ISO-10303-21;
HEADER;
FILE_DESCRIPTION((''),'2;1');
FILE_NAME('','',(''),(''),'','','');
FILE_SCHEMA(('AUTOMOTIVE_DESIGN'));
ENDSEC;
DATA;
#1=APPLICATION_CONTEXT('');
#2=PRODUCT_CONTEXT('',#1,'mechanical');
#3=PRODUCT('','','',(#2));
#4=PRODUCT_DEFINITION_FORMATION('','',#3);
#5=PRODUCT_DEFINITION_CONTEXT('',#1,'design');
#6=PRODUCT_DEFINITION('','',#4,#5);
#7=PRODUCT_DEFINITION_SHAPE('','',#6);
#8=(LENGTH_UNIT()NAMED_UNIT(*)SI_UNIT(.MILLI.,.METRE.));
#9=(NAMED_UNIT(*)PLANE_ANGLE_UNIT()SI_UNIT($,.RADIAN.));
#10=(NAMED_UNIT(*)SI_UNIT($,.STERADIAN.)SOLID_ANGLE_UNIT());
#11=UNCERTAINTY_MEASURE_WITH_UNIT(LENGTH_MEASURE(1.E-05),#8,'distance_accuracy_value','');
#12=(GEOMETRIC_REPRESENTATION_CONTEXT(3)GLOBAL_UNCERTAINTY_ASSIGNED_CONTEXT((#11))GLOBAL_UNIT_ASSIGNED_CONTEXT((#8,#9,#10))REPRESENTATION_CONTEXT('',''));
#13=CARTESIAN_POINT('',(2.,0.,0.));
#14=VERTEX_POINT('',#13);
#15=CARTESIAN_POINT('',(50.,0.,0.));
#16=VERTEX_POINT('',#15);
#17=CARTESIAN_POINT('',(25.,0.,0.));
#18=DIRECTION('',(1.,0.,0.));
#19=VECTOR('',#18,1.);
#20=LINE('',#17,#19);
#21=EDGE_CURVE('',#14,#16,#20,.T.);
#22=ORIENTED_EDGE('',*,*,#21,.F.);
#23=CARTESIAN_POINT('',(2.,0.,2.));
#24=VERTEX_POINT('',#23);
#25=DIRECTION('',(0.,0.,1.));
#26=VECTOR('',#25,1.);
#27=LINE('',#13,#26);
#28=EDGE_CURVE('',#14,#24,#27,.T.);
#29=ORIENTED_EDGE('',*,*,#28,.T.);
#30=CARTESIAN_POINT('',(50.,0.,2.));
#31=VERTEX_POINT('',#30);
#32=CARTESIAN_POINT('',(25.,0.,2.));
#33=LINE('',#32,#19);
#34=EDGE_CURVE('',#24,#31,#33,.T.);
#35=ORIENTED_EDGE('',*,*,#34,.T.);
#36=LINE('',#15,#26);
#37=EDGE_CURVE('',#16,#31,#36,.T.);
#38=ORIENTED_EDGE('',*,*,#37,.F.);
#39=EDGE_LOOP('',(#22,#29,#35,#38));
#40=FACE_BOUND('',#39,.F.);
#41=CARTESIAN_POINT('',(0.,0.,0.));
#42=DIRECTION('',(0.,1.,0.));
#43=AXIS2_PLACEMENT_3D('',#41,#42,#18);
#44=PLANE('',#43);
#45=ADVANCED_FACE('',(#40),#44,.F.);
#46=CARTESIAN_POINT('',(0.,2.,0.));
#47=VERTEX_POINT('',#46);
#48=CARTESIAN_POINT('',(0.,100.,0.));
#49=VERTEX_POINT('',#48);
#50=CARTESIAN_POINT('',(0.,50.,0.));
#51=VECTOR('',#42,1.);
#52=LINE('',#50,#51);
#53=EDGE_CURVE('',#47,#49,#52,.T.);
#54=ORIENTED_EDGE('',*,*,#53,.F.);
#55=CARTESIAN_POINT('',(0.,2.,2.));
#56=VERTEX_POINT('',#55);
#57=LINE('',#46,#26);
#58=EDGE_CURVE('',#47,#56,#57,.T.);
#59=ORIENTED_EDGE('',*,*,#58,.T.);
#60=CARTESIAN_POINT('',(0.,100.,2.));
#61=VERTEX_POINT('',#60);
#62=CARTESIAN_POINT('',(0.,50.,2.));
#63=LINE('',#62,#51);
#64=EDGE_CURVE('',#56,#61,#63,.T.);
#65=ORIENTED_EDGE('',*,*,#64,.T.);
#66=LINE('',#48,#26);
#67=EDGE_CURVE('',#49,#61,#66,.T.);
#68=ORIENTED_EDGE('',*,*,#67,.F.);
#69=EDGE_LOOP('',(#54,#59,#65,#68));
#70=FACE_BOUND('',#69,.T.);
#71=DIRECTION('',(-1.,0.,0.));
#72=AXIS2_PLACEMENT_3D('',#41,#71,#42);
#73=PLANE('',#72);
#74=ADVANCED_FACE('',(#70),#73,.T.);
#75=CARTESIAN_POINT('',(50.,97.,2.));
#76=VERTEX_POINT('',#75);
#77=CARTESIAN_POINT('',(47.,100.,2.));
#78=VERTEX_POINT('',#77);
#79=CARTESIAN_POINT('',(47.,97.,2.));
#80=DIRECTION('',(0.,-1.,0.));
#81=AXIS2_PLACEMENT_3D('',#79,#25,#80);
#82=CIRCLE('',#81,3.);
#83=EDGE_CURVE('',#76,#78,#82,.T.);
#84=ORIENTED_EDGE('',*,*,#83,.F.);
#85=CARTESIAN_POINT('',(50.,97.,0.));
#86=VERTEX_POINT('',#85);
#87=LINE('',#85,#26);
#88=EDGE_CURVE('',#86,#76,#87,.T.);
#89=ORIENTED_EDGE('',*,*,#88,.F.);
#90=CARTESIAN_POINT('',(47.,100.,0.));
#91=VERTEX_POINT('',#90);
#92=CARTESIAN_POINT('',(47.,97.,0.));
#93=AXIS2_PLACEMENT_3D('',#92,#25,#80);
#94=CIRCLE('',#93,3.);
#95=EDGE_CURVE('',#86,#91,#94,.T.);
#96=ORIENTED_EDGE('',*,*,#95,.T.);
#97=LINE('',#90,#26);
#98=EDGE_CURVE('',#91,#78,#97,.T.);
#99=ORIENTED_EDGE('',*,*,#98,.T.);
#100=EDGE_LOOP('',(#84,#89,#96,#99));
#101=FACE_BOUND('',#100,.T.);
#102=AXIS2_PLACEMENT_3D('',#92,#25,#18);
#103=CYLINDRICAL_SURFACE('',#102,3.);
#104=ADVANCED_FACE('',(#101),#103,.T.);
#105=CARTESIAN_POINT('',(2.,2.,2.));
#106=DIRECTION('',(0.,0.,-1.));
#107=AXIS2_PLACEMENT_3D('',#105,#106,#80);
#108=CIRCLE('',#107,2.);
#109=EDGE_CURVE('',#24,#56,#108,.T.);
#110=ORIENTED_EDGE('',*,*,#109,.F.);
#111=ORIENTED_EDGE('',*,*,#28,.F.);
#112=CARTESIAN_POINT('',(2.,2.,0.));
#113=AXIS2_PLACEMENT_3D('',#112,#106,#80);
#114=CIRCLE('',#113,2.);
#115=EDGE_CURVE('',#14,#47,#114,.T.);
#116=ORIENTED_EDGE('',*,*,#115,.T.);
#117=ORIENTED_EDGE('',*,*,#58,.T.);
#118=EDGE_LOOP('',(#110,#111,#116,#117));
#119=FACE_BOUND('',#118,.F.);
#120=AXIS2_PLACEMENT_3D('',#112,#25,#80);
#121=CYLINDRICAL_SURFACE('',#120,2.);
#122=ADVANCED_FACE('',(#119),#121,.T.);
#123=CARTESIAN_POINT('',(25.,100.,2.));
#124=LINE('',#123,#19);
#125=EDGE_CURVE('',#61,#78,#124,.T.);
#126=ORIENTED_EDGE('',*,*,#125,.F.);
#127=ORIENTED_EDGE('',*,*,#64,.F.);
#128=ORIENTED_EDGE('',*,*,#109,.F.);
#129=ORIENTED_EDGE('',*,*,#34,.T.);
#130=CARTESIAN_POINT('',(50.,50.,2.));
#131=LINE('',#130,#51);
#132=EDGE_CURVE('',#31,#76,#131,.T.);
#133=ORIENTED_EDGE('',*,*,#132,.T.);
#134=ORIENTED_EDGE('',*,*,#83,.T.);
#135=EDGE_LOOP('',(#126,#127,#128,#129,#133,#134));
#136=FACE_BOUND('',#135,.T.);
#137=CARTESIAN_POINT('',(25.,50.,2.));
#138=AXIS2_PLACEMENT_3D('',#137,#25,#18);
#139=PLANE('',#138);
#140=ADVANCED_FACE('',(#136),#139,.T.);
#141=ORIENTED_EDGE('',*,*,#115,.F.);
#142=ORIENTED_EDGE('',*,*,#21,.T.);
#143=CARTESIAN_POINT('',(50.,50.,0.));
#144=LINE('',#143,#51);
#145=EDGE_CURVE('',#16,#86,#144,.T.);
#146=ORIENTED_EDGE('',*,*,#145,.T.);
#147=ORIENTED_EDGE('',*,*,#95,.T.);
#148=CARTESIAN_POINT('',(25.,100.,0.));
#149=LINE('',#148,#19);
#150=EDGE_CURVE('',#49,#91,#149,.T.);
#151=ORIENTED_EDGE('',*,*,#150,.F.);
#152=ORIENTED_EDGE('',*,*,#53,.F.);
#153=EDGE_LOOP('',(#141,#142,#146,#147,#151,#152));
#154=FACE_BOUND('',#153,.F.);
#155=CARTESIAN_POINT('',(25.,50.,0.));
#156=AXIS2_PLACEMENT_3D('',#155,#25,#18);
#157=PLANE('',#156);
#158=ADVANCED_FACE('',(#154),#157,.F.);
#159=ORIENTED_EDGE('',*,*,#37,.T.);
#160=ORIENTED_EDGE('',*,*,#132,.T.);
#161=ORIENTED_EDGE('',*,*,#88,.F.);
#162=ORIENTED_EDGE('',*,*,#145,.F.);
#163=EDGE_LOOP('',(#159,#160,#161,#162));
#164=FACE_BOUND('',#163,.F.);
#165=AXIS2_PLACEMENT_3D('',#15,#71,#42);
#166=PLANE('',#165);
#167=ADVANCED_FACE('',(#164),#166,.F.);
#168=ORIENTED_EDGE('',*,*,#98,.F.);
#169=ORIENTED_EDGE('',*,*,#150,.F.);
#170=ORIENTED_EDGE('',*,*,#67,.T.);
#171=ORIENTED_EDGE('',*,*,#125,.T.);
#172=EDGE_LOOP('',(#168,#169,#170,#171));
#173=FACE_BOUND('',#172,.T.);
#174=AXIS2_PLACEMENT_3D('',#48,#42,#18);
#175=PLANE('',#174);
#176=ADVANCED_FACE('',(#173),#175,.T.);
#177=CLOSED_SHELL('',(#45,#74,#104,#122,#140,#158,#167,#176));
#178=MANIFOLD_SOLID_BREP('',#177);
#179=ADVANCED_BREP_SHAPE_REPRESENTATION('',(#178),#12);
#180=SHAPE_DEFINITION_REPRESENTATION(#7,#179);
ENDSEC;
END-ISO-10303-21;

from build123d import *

# Parameters (mm, degrees)
BOX_W       = 50
BOX_H       = 100
BOX_DEPTH   = 2
FILLET_R    = 3
FILLET001_R = 2


with BuildPart() as part:
    # Box → Box (new body)
    with BuildSketch(Plane.XY):
        with Locations((25, 50)):
            Rectangle(BOX_W, BOX_H)
    extrude(amount=BOX_DEPTH)

    # Fillet
    fillet_edges = [part.edges().sort_by_distance(p)[0] for p in [
        (50, 100, 1),
    ]]
    fillet(fillet_edges, radius=FILLET_R)

    # Fillet001
    fillet001_edges = [part.edges().sort_by_distance(p)[0] for p in [
        (0, 0, 1),
    ]]
    fillet(fillet001_edges, radius=FILLET001_R)


solid = part.part
